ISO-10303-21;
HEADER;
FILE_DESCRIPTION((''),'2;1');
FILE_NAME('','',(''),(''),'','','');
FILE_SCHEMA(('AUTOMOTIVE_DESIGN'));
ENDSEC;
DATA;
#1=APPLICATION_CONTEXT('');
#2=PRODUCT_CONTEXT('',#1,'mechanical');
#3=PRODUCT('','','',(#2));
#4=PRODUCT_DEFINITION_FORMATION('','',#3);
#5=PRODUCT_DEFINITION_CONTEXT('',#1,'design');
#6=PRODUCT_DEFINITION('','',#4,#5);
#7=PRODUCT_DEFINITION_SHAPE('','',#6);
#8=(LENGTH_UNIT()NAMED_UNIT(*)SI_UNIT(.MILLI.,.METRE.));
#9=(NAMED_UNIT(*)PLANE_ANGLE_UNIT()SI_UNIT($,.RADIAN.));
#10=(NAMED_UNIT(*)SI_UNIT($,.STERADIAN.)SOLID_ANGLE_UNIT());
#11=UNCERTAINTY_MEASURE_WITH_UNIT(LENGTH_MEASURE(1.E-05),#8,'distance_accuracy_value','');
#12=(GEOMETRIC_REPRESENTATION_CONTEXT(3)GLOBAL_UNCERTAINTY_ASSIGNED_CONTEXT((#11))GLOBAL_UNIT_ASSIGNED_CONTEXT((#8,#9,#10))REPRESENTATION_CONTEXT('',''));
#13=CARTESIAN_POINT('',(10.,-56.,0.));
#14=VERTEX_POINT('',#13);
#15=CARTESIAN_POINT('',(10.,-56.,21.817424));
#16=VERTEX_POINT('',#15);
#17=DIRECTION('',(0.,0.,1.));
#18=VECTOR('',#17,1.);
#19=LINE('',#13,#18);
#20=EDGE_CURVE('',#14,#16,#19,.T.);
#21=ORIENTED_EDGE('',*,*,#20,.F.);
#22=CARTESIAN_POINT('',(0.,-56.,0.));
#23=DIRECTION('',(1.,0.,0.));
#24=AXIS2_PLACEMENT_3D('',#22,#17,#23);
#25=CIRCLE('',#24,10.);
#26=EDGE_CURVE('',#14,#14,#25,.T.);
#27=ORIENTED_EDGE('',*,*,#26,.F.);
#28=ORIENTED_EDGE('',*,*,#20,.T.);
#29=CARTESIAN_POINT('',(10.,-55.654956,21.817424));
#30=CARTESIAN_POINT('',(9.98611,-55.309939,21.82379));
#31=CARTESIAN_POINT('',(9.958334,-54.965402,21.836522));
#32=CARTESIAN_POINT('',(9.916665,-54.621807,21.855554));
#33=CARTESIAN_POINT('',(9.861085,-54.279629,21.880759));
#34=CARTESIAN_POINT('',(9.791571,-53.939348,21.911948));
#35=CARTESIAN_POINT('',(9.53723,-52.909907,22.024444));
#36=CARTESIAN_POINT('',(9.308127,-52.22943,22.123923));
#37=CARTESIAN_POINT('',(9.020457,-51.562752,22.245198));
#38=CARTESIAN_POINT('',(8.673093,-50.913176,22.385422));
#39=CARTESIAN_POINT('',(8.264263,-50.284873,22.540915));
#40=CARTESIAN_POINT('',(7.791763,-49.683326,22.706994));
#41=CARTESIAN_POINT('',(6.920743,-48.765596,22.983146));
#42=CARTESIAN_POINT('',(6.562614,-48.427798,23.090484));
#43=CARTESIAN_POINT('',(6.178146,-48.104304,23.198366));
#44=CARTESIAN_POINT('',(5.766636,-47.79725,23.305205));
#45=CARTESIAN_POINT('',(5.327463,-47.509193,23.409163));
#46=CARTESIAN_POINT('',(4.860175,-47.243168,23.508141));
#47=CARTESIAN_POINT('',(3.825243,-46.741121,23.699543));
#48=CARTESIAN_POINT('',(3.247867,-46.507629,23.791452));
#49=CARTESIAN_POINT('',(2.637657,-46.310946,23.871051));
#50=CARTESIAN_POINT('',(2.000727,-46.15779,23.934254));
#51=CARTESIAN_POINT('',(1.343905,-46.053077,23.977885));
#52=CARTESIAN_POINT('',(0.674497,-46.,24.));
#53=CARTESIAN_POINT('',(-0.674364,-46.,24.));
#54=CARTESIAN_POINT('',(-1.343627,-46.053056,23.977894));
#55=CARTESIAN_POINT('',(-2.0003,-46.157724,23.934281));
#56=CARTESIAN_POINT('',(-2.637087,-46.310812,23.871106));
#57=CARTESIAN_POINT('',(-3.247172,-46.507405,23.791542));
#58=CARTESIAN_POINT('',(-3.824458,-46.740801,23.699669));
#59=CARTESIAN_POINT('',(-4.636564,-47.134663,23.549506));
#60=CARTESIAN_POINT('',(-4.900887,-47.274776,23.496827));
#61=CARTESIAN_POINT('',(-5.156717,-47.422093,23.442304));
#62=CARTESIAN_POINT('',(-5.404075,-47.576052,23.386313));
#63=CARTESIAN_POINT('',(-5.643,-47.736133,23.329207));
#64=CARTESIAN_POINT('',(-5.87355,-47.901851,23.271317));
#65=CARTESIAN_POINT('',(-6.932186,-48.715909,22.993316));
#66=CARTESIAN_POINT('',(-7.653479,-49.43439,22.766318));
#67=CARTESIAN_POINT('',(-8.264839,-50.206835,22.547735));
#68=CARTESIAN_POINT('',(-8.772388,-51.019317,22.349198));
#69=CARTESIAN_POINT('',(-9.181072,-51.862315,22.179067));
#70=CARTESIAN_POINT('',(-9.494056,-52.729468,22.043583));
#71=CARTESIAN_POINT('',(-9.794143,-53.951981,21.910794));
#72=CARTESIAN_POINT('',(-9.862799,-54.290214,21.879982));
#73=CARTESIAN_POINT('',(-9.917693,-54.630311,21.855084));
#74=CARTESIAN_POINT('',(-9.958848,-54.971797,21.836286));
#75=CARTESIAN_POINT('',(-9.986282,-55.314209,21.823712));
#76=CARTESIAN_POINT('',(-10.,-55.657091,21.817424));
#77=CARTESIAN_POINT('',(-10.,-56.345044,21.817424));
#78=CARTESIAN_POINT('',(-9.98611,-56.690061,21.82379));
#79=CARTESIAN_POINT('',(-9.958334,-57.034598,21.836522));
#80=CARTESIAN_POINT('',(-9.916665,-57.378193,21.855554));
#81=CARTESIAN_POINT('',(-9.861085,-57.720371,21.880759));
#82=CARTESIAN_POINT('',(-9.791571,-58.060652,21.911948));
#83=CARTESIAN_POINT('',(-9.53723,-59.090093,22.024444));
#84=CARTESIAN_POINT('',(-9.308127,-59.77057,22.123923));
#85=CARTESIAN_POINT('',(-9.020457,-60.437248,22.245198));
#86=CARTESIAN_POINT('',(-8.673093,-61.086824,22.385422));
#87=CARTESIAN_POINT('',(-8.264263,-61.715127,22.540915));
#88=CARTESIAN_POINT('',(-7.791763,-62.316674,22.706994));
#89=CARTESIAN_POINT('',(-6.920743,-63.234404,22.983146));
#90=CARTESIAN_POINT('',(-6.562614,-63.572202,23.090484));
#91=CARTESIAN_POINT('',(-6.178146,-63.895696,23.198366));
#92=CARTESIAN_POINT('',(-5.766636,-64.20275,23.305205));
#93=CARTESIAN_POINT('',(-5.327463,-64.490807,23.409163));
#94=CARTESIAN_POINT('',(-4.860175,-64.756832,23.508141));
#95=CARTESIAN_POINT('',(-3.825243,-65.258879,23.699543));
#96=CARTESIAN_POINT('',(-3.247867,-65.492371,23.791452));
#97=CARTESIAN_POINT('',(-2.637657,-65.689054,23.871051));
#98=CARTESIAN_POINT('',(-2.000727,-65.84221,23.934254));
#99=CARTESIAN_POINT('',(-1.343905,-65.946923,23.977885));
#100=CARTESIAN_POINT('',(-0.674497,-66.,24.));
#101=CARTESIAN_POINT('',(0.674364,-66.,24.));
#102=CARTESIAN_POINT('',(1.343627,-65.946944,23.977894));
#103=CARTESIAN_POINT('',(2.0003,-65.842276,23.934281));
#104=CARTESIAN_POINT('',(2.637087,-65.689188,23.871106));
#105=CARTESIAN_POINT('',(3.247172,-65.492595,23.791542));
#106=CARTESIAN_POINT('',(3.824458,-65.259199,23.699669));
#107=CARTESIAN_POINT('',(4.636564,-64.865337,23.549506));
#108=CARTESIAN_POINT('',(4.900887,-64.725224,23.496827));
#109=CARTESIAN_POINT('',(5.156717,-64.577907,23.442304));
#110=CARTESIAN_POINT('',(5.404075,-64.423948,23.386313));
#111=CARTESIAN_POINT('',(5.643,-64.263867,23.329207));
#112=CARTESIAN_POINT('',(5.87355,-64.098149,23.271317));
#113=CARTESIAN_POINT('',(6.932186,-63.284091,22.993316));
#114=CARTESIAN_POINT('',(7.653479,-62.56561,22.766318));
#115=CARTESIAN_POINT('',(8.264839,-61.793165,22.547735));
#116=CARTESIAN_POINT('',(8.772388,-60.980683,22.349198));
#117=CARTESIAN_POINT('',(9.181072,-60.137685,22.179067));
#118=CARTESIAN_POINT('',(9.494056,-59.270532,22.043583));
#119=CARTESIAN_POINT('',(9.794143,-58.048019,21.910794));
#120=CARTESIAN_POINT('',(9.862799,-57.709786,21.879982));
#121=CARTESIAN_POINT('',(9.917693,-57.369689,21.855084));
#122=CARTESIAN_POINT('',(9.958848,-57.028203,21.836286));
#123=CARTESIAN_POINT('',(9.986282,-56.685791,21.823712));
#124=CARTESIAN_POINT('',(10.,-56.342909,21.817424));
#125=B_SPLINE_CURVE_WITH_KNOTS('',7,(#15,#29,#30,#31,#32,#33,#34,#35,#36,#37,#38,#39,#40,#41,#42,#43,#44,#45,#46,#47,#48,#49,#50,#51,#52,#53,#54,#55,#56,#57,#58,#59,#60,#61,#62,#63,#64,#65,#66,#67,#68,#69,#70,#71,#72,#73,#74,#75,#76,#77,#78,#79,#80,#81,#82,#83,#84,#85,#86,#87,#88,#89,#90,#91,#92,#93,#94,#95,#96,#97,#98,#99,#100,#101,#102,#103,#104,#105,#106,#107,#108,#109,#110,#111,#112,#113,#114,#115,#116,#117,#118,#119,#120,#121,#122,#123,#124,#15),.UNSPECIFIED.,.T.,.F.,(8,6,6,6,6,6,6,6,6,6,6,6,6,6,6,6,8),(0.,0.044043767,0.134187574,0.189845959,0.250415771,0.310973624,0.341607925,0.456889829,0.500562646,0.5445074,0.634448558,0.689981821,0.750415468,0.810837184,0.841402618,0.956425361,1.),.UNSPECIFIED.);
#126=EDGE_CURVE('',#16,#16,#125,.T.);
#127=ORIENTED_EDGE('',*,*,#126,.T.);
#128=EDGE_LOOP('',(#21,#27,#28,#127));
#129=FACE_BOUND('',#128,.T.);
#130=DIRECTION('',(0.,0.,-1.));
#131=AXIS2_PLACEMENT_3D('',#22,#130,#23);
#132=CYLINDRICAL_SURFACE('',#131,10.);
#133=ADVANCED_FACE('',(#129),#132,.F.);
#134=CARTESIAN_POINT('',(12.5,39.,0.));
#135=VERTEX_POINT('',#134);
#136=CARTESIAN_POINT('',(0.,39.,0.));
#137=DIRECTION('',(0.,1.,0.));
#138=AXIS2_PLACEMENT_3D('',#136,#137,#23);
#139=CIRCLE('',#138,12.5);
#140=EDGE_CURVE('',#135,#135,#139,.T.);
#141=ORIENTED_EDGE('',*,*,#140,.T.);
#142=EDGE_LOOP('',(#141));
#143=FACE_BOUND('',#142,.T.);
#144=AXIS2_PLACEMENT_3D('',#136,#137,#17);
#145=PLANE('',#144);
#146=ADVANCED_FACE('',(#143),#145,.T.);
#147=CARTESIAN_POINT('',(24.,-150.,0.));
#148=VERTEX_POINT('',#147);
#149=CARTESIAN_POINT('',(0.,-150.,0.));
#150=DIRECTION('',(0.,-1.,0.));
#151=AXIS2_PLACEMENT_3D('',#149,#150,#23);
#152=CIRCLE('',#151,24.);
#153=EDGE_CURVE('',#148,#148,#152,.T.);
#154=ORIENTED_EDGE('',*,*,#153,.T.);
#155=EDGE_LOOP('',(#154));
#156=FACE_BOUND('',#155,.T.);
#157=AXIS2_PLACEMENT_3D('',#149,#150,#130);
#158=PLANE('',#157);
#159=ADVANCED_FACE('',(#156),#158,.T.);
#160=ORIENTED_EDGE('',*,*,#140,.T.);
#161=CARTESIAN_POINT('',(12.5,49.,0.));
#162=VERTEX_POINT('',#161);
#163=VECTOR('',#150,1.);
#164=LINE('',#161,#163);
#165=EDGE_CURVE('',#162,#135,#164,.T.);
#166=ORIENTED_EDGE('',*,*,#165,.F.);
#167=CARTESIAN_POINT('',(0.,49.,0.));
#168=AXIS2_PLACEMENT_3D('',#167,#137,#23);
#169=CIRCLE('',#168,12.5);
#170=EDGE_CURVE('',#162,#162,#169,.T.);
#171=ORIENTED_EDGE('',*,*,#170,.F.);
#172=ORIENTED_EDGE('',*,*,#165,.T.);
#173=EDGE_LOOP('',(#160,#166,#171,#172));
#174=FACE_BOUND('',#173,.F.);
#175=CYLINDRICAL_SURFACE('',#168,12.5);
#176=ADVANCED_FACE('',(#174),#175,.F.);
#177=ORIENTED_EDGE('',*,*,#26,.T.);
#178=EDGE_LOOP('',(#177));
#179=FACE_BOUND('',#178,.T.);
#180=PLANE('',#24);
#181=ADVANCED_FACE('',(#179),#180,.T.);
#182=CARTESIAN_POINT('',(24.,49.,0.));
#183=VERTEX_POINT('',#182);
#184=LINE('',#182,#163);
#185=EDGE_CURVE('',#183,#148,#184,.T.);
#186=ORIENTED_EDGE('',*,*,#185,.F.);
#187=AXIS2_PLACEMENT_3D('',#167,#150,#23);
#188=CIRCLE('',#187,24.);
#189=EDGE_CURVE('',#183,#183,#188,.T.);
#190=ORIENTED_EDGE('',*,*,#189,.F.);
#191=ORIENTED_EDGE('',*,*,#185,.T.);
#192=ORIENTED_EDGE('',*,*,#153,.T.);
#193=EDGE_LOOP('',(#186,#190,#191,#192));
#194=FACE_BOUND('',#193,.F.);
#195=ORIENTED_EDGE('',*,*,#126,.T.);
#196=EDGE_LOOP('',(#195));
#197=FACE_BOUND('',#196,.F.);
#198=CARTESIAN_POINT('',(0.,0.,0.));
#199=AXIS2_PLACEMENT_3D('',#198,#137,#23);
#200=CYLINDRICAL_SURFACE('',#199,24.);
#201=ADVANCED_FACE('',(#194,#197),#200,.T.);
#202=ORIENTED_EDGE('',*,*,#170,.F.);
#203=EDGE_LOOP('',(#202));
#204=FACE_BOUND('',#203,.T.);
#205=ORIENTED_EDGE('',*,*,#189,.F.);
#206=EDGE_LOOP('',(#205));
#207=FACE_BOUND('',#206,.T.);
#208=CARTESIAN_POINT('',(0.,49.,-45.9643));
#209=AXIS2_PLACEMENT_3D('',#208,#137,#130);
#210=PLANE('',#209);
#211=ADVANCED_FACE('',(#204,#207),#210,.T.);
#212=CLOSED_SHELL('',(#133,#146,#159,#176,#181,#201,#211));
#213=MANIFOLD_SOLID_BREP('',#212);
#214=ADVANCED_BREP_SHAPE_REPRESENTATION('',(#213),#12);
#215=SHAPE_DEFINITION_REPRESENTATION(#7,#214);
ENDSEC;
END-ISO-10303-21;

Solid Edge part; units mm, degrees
sketch "Sketch1" plane through (0, 0, 0) normal (0, -1, 0) x (1, 0, 0)
  circle A0 centre (0, 0) radius 24
extrude "Protrusion1" add sketch "Sketch1" along normal mid plane 300
sketch "Sketch2" plane through (0, 0, 0) normal (0, 0, 1) x (1, 0, 0)
  circle A0 centre (0, -56) radius 10
extrude "ExtrudedCutout_2" cut sketch "Sketch2" along normal blind 65.6181
sketch "Sketch3" plane through (0, 0, 0) normal (1, 0, 0) x (0, 1, 0)
  line L0 (49, 68.8622) -> (49, -45.9643)
  dimension "D1" = 199
extrude "ExtrudedCutout_3" cut sketch "Sketch3" along normal mid plane 174.551 material side at (0, 49.05, 11.4489)
sketch "Sketch4" plane through (0, 49, 0) normal (0, 1, 0) x (1, 0, 0)
  circle A0 centre (0, 0) radius 12.5
  dimension "D1" = 25
extrude "ExtrudedCutout_4" cut sketch "Sketch4" against normal blind 10
